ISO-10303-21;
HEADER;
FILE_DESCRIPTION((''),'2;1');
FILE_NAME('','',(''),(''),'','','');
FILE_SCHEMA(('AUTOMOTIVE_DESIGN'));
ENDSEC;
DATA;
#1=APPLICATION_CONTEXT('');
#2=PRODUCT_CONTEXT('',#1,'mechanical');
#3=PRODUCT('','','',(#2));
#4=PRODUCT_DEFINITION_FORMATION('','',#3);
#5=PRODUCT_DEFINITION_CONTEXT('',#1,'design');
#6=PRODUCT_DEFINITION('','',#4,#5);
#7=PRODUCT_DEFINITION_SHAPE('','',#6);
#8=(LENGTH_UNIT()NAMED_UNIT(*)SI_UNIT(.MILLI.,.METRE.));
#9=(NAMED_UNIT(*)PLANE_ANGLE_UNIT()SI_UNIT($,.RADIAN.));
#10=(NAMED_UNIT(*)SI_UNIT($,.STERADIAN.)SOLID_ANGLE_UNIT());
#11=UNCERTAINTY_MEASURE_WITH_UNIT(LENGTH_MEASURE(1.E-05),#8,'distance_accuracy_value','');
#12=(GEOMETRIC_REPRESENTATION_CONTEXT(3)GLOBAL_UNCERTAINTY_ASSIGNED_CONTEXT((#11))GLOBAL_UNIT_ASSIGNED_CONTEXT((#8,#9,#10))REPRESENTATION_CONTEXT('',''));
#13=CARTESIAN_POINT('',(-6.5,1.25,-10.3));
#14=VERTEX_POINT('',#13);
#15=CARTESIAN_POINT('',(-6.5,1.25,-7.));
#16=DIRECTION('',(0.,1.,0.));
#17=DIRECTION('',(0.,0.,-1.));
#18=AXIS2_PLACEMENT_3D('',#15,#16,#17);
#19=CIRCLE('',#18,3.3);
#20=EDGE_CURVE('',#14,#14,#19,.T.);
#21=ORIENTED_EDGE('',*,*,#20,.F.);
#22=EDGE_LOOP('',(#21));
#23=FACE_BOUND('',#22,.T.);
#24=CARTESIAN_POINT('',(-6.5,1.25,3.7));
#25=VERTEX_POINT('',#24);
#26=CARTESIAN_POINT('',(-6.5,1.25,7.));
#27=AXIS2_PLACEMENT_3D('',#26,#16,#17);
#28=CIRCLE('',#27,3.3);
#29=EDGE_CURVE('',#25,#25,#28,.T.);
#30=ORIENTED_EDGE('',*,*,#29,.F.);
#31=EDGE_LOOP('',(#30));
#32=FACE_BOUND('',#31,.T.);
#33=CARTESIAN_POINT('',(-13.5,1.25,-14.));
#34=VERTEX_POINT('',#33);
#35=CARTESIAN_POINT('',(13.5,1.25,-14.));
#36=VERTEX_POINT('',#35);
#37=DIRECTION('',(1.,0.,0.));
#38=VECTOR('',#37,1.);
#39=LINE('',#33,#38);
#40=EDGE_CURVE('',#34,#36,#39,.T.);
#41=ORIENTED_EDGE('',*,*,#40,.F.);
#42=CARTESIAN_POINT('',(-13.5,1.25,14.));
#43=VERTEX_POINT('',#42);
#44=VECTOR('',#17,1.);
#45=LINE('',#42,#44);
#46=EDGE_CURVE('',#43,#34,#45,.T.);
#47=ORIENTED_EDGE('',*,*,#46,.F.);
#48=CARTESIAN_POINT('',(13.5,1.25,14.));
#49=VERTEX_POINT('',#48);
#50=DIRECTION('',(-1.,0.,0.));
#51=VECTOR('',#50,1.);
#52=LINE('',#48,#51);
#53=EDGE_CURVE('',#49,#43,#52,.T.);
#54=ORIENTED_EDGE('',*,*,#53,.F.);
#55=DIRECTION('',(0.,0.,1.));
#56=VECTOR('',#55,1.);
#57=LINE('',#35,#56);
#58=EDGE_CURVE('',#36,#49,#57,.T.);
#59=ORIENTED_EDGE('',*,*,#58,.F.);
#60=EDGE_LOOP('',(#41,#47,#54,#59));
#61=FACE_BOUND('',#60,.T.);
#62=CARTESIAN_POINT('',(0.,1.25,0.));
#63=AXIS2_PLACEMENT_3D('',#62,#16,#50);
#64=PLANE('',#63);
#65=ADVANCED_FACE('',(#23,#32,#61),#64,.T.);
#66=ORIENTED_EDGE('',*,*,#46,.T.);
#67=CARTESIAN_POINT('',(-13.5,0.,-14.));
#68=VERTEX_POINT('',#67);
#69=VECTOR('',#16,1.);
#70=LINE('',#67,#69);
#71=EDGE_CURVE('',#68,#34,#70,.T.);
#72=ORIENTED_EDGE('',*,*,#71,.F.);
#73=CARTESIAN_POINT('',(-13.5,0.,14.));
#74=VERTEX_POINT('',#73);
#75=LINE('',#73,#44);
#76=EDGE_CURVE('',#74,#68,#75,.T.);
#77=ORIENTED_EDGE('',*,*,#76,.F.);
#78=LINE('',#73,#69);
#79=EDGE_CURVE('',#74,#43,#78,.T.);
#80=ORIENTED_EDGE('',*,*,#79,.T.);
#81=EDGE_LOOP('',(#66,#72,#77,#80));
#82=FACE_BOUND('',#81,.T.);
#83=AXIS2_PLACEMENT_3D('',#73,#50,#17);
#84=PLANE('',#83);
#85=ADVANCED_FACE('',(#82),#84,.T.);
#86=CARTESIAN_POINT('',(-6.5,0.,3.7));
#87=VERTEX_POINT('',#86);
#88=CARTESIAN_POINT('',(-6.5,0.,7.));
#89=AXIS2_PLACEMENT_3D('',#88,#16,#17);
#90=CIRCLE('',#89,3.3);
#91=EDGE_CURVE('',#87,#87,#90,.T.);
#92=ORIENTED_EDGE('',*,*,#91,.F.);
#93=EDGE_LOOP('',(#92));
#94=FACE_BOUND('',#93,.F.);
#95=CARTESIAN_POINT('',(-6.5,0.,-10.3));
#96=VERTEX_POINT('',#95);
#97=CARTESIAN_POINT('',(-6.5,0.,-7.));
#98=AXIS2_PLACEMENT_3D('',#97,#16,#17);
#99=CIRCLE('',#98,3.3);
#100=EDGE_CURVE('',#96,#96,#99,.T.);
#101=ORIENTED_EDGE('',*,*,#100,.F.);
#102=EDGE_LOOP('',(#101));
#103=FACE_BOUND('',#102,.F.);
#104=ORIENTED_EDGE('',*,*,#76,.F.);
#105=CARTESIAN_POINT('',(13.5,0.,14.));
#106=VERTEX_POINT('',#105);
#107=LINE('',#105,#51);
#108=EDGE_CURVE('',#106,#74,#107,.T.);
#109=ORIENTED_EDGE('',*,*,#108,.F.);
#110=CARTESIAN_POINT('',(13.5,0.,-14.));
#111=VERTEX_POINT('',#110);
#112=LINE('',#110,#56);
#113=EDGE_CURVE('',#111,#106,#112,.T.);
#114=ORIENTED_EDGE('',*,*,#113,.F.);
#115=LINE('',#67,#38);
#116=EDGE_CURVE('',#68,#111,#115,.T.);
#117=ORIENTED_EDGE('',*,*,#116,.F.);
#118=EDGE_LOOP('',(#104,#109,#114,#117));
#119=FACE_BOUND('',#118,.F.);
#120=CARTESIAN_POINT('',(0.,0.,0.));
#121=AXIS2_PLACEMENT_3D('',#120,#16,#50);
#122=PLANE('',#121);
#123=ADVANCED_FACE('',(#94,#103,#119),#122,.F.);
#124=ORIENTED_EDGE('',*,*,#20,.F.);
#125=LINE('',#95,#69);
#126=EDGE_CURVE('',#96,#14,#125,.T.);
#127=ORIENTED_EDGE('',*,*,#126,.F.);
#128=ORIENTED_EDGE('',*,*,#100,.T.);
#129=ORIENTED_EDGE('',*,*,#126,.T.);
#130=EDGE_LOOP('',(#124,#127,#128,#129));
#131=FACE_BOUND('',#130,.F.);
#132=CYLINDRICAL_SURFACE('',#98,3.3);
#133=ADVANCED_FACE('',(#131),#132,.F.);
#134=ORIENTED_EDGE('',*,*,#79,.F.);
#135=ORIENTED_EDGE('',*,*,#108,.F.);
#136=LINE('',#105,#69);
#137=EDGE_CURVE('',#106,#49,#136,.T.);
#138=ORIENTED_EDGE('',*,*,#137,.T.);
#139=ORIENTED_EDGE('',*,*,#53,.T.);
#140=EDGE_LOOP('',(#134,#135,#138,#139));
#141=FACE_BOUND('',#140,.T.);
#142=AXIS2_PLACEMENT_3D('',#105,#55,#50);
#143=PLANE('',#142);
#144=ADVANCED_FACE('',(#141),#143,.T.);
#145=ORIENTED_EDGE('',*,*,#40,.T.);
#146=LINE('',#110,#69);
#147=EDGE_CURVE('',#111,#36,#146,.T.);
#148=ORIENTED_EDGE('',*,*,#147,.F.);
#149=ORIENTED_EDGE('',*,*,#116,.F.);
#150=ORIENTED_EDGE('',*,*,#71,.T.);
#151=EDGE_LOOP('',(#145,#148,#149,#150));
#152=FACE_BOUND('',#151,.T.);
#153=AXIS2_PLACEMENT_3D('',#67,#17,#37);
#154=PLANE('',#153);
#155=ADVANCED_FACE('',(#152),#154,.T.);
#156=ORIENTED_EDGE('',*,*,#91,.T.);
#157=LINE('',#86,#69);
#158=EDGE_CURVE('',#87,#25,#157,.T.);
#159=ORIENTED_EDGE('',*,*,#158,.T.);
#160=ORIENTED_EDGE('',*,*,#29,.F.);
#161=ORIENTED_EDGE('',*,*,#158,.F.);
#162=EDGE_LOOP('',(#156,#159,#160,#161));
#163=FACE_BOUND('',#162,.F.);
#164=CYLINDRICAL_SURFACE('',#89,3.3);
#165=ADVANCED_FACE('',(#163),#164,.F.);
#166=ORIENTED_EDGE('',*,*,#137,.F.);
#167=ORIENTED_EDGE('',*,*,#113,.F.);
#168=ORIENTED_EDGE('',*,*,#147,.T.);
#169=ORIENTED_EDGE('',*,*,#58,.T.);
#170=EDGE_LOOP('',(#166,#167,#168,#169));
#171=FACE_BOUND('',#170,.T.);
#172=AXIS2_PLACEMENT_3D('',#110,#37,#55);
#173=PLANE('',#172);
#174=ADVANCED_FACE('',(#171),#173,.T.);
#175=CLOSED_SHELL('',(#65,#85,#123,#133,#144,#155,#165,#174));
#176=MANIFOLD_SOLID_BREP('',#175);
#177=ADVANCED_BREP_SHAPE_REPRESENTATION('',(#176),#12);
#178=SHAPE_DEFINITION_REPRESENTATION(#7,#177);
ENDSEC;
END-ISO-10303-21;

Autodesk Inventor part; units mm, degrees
ref_plane "YZ Plane" through (0, 0, 0) normal (1, 0, 0) x (0, 1, 0)
ref_plane "XZ Plane" through (0, 0, 0) normal (0, 1, 0) x (-1, 0, 0)
ref_plane "XY Plane" through (0, 0, 0) normal (0, 0, 1) x (1, 0, 0)
sketch "Sketch1" plane through (0, 0, 0) normal (0, 1, 0) x (-1, 0, 0)
  line L0 (-13.5, 14) -> (13.5, 14)
  line L1 (13.5, 14) -> (13.5, -14)
  line L2 (13.5, -14) -> (-13.5, -14)
  line L3 (-13.5, -14) -> (-13.5, 14)
  line L4 (-13.5, 14) -> (13.5, -14) construction
  line L5 (13.5, 14) -> (-13.5, -14) construction
  point P0 (0, 0)
  dimension "d0" = 27
  dimension "d1" = 28
extrude "Extrusion1" add sketch "Sketch1" along normal blind 1.25
sketch "Sketch2" plane through (0, 0, 0) normal (0, -1, 0) x (1, 0, 0)
  circle A0 centre (-6.5, 7) radius 3.3 projected
  circle A1 centre (-6.5, -7) radius 3.3 projected
  line L0 (-13.5, 14) -> (-13.5, -14) projected
  line L1 (19.5, -14) -> (-13.5, -14) projected
  line L2 (19.5, 14) -> (19.5, -14) projected
  line L3 (-13.5, 14) -> (19.5, 14) projected
  point P0 (0, 0)
hole "Hole1" at (-6.5, 0, 7) at (-6.5, 0, -7) direction (0, 1, 0) diameter 6.6 depth 8 tip angle 118 clearance for "Countersunk Flat Head Screw ISO 2009/7046" size "M6" standard "ISO"
properties part number "SP37V1 Suplemento Refuerzo"
